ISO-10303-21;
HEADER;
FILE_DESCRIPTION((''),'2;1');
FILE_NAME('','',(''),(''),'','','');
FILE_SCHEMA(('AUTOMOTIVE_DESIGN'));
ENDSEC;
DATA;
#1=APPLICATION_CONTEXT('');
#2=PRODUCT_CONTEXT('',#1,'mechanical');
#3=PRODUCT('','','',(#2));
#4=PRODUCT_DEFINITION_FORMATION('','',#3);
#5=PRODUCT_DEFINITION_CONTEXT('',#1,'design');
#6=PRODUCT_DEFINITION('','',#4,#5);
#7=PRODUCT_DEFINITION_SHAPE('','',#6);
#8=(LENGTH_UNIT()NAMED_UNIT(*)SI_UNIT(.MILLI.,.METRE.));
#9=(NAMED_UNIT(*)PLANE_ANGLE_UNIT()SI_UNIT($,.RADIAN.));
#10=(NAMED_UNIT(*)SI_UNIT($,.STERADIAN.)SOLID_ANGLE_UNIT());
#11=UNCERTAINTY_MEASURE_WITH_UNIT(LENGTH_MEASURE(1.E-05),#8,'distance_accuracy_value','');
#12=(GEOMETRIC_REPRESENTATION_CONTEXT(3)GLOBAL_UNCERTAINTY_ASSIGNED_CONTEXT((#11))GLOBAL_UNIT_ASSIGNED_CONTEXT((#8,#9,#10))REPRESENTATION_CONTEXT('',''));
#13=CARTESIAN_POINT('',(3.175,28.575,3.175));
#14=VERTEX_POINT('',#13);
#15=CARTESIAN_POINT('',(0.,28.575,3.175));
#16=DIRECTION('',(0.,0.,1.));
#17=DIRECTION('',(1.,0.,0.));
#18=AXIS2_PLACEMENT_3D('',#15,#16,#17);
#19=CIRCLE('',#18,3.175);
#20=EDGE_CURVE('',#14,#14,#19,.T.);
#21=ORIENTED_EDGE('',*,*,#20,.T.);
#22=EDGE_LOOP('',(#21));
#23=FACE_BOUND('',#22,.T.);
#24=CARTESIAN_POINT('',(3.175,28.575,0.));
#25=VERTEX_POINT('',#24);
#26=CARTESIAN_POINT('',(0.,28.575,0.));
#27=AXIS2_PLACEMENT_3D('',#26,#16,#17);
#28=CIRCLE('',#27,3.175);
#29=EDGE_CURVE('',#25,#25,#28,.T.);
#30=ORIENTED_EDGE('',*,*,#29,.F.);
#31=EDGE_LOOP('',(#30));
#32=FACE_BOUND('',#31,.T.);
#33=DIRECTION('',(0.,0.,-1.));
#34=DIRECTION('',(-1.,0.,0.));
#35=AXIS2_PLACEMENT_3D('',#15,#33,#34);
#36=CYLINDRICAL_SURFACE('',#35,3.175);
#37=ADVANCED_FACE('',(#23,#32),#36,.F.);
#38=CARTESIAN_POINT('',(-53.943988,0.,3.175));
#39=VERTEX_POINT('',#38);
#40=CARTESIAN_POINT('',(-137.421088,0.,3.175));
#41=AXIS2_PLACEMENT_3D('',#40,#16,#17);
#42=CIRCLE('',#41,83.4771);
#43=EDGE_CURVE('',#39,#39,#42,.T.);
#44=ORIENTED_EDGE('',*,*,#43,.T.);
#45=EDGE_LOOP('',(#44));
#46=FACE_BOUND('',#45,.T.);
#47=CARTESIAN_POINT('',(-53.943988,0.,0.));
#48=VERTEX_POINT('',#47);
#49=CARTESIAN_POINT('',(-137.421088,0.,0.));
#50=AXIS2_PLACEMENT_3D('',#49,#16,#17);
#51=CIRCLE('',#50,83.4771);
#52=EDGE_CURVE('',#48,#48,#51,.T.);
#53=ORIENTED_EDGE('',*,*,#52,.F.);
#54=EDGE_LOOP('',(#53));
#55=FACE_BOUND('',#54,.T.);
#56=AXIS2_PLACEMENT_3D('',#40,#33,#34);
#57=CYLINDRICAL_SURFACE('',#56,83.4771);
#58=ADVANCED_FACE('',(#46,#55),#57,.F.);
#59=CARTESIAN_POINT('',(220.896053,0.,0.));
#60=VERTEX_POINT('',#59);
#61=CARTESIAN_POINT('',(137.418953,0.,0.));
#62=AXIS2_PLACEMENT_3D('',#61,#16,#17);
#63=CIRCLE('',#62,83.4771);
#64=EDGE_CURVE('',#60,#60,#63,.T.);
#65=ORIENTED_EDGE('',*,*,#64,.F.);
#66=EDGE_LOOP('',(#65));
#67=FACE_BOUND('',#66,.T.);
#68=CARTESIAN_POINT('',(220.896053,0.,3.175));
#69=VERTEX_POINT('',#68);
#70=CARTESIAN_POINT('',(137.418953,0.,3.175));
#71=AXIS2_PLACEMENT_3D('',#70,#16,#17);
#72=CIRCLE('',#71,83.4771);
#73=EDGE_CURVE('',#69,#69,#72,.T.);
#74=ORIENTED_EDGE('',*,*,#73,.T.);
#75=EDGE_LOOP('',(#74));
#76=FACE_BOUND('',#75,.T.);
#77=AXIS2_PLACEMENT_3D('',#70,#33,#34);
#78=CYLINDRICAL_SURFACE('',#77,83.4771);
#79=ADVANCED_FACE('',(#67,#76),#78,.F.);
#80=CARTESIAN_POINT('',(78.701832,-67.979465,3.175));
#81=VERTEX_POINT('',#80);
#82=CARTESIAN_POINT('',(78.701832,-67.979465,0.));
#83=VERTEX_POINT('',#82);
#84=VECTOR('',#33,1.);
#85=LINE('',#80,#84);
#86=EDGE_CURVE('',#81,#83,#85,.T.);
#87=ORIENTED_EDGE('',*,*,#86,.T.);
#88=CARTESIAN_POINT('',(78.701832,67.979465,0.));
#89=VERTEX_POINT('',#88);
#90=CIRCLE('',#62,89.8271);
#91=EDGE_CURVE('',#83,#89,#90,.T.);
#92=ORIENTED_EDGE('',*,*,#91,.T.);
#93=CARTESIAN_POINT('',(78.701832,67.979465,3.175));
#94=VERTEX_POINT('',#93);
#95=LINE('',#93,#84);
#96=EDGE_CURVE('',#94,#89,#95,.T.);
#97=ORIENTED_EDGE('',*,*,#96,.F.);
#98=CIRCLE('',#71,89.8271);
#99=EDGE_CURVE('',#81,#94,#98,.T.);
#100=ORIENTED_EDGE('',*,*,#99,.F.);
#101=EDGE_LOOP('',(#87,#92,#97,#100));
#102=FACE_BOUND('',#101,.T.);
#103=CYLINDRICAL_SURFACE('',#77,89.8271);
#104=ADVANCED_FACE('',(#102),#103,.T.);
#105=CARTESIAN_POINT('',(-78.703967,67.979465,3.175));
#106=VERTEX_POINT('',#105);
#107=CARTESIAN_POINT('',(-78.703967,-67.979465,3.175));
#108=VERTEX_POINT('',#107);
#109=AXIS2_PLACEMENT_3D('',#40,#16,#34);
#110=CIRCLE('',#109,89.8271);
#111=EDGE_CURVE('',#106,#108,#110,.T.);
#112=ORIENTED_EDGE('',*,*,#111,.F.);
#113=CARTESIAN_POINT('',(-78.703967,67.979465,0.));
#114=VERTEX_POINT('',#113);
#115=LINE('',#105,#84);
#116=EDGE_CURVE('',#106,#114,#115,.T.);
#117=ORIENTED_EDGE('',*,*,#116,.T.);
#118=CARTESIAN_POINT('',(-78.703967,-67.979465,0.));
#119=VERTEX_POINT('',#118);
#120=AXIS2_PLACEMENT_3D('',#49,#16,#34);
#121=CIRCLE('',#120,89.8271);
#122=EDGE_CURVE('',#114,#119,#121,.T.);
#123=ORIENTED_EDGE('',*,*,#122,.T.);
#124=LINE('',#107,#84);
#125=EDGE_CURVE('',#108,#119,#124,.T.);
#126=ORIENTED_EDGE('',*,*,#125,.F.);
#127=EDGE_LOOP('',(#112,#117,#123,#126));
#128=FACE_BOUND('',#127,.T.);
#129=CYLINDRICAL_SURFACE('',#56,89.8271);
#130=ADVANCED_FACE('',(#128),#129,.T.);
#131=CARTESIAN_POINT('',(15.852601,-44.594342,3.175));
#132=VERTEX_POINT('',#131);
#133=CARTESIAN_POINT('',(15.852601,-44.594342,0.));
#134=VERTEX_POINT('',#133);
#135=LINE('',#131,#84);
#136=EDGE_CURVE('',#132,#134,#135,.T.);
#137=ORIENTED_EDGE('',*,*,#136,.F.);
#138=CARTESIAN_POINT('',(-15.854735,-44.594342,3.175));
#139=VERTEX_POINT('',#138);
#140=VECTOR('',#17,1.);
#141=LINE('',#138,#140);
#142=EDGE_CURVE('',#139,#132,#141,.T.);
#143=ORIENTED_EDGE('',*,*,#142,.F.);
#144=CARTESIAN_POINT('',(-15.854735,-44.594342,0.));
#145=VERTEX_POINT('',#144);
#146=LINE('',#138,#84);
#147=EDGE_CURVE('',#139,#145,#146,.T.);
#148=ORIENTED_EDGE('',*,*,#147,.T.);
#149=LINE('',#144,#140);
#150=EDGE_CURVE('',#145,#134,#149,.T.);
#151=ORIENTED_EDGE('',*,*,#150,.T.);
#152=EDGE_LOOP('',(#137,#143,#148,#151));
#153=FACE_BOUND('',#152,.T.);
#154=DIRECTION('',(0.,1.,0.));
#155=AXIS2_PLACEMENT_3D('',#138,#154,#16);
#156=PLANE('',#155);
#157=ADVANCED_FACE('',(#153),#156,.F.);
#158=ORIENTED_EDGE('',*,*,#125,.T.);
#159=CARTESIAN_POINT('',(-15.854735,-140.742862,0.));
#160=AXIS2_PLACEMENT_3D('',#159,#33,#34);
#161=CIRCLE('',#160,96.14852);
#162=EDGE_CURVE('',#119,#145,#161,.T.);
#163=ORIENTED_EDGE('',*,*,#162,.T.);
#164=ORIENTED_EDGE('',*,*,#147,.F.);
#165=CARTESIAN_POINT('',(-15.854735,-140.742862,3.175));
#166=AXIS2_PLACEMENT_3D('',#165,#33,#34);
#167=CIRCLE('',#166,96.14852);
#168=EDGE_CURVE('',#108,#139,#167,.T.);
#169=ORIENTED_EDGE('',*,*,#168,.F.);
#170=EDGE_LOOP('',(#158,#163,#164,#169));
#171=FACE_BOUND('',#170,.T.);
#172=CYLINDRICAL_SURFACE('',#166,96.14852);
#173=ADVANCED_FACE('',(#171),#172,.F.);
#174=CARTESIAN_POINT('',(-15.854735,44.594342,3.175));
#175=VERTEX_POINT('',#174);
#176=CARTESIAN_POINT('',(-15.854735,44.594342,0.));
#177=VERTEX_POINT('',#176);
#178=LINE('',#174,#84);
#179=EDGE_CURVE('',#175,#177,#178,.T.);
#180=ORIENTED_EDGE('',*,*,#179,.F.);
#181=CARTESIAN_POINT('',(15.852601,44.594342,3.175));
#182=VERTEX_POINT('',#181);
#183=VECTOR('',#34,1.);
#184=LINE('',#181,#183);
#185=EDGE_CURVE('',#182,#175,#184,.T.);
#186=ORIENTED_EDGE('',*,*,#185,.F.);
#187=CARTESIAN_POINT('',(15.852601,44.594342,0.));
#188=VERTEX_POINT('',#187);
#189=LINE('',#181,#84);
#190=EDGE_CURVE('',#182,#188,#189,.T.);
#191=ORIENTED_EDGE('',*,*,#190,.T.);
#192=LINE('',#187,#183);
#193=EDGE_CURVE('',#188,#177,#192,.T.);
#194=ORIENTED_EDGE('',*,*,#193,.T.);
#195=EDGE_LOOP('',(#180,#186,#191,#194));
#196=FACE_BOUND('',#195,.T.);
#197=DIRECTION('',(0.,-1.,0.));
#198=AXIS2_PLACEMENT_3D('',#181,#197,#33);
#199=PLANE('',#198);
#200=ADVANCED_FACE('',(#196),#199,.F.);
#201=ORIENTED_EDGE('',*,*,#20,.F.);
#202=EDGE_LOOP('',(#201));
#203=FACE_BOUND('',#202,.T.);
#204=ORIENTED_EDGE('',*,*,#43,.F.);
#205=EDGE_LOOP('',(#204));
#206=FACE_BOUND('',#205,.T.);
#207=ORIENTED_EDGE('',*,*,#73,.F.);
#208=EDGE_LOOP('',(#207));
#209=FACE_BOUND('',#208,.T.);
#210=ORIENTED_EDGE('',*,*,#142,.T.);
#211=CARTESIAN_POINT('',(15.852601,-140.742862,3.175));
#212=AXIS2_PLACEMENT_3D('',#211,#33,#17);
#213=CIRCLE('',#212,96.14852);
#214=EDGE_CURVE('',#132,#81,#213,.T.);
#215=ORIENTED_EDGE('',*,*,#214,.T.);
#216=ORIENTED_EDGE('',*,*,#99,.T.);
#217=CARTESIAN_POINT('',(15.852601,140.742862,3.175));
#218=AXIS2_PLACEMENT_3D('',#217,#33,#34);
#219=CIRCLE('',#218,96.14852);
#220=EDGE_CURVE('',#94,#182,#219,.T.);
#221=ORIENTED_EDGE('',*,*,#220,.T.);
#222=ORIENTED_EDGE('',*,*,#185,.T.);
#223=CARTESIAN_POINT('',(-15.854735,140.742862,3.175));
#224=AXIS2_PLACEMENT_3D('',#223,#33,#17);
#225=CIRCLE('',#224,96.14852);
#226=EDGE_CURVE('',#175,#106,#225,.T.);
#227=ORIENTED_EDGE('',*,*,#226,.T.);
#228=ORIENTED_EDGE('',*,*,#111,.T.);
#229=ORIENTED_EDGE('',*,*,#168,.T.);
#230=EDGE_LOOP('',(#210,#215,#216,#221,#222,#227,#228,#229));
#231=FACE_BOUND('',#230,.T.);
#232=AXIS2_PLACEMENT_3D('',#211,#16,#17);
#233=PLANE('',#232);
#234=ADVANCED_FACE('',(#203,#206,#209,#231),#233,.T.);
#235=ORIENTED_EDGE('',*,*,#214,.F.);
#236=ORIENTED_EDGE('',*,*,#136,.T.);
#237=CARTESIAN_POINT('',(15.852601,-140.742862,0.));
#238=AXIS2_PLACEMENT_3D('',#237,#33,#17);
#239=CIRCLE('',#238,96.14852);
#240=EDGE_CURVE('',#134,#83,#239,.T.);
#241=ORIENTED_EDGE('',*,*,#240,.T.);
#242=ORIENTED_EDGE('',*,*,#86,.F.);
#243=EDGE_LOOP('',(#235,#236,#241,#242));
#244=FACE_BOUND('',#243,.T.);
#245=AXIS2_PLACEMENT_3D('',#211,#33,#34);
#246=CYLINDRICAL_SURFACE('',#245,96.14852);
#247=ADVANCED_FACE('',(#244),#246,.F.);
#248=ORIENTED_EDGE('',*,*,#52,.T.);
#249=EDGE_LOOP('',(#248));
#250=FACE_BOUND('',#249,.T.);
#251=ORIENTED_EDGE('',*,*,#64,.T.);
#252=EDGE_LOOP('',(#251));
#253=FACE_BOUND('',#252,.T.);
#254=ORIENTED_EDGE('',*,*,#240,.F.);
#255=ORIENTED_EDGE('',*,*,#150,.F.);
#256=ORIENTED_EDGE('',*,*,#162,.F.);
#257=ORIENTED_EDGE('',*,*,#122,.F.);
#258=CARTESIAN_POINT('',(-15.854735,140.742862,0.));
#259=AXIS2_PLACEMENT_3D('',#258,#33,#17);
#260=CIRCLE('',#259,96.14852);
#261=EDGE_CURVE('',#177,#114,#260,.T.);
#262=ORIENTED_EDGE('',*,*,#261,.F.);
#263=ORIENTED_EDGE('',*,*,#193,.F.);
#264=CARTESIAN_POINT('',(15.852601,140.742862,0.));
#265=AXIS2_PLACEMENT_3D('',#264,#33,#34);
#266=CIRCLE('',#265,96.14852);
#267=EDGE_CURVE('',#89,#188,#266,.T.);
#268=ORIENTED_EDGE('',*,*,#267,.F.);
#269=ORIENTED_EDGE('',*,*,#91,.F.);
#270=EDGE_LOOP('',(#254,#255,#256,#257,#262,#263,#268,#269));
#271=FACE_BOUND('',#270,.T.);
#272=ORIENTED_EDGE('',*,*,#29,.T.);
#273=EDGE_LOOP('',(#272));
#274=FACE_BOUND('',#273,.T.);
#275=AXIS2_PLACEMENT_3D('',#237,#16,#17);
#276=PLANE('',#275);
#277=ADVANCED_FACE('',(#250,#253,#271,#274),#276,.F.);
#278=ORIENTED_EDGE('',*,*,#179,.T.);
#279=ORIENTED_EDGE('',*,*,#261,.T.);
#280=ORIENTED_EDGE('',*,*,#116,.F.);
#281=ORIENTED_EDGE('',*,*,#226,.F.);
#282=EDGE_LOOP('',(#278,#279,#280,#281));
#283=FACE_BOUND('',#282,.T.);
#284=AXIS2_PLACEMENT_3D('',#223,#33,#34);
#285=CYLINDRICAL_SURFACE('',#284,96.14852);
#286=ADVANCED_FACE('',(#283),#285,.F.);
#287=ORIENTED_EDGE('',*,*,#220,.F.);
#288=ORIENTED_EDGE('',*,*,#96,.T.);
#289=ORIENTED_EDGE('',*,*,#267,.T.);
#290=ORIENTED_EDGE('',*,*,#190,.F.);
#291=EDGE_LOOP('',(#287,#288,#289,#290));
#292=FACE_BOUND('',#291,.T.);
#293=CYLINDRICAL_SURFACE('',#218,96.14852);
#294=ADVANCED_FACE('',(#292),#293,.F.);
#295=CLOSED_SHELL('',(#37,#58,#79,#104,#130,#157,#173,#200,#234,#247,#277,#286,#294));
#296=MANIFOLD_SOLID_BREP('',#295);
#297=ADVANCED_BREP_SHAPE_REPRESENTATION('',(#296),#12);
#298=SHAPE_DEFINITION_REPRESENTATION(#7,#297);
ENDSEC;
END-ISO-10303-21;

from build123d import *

# Parameters (mm, degrees)
SKETCH1_R           = 83.4771
SKETCH1_R_2         = 3.175
BOSS_EXTRUDE1_DEPTH = 3.175


with BuildPart() as part:
    # Sketch1 → Boss-Extrude1 (new body)
    with BuildSketch(Plane.XY):
        with BuildLine():
            Line((-15.854735322, -44.594342032), (15.852600775, -44.594342032))
            ThreePointArc((15.852600775, -44.594342032), (49.382027762, -50.630069264), (78.701832464, -67.979464917))
            ThreePointArc((78.701832464, -67.979464917), (227.246053, 0), (78.701832464, 67.979464917))
            ThreePointArc((78.701832464, 67.979464917), (49.382027762, 50.630069264), (15.852600775, 44.594342032))
            Line((15.852600775, 44.594342032), (-15.854735322, 44.594342032))
            ThreePointArc((-15.854735322, 44.594342032), (-49.384162309, 50.630069264), (-78.703967011, 67.979464917))
            ThreePointArc((-78.703967011, 67.979464917), (-227.248187547, 0), (-78.703967011, -67.979464917))
            ThreePointArc((-78.703967011, -67.979464917), (-49.384162309, -50.630069264), (-15.854735322, -44.594342032))
        make_face()
        with Locations((137.418953, 0)):
            Circle(SKETCH1_R, mode=Mode.SUBTRACT)
        with Locations((-137.421087547, 0)):
            Circle(SKETCH1_R, mode=Mode.SUBTRACT)
        with Locations((0, 28.575000036)):
            Circle(SKETCH1_R_2, mode=Mode.SUBTRACT)
    extrude(amount=BOSS_EXTRUDE1_DEPTH)


solid = part.part
